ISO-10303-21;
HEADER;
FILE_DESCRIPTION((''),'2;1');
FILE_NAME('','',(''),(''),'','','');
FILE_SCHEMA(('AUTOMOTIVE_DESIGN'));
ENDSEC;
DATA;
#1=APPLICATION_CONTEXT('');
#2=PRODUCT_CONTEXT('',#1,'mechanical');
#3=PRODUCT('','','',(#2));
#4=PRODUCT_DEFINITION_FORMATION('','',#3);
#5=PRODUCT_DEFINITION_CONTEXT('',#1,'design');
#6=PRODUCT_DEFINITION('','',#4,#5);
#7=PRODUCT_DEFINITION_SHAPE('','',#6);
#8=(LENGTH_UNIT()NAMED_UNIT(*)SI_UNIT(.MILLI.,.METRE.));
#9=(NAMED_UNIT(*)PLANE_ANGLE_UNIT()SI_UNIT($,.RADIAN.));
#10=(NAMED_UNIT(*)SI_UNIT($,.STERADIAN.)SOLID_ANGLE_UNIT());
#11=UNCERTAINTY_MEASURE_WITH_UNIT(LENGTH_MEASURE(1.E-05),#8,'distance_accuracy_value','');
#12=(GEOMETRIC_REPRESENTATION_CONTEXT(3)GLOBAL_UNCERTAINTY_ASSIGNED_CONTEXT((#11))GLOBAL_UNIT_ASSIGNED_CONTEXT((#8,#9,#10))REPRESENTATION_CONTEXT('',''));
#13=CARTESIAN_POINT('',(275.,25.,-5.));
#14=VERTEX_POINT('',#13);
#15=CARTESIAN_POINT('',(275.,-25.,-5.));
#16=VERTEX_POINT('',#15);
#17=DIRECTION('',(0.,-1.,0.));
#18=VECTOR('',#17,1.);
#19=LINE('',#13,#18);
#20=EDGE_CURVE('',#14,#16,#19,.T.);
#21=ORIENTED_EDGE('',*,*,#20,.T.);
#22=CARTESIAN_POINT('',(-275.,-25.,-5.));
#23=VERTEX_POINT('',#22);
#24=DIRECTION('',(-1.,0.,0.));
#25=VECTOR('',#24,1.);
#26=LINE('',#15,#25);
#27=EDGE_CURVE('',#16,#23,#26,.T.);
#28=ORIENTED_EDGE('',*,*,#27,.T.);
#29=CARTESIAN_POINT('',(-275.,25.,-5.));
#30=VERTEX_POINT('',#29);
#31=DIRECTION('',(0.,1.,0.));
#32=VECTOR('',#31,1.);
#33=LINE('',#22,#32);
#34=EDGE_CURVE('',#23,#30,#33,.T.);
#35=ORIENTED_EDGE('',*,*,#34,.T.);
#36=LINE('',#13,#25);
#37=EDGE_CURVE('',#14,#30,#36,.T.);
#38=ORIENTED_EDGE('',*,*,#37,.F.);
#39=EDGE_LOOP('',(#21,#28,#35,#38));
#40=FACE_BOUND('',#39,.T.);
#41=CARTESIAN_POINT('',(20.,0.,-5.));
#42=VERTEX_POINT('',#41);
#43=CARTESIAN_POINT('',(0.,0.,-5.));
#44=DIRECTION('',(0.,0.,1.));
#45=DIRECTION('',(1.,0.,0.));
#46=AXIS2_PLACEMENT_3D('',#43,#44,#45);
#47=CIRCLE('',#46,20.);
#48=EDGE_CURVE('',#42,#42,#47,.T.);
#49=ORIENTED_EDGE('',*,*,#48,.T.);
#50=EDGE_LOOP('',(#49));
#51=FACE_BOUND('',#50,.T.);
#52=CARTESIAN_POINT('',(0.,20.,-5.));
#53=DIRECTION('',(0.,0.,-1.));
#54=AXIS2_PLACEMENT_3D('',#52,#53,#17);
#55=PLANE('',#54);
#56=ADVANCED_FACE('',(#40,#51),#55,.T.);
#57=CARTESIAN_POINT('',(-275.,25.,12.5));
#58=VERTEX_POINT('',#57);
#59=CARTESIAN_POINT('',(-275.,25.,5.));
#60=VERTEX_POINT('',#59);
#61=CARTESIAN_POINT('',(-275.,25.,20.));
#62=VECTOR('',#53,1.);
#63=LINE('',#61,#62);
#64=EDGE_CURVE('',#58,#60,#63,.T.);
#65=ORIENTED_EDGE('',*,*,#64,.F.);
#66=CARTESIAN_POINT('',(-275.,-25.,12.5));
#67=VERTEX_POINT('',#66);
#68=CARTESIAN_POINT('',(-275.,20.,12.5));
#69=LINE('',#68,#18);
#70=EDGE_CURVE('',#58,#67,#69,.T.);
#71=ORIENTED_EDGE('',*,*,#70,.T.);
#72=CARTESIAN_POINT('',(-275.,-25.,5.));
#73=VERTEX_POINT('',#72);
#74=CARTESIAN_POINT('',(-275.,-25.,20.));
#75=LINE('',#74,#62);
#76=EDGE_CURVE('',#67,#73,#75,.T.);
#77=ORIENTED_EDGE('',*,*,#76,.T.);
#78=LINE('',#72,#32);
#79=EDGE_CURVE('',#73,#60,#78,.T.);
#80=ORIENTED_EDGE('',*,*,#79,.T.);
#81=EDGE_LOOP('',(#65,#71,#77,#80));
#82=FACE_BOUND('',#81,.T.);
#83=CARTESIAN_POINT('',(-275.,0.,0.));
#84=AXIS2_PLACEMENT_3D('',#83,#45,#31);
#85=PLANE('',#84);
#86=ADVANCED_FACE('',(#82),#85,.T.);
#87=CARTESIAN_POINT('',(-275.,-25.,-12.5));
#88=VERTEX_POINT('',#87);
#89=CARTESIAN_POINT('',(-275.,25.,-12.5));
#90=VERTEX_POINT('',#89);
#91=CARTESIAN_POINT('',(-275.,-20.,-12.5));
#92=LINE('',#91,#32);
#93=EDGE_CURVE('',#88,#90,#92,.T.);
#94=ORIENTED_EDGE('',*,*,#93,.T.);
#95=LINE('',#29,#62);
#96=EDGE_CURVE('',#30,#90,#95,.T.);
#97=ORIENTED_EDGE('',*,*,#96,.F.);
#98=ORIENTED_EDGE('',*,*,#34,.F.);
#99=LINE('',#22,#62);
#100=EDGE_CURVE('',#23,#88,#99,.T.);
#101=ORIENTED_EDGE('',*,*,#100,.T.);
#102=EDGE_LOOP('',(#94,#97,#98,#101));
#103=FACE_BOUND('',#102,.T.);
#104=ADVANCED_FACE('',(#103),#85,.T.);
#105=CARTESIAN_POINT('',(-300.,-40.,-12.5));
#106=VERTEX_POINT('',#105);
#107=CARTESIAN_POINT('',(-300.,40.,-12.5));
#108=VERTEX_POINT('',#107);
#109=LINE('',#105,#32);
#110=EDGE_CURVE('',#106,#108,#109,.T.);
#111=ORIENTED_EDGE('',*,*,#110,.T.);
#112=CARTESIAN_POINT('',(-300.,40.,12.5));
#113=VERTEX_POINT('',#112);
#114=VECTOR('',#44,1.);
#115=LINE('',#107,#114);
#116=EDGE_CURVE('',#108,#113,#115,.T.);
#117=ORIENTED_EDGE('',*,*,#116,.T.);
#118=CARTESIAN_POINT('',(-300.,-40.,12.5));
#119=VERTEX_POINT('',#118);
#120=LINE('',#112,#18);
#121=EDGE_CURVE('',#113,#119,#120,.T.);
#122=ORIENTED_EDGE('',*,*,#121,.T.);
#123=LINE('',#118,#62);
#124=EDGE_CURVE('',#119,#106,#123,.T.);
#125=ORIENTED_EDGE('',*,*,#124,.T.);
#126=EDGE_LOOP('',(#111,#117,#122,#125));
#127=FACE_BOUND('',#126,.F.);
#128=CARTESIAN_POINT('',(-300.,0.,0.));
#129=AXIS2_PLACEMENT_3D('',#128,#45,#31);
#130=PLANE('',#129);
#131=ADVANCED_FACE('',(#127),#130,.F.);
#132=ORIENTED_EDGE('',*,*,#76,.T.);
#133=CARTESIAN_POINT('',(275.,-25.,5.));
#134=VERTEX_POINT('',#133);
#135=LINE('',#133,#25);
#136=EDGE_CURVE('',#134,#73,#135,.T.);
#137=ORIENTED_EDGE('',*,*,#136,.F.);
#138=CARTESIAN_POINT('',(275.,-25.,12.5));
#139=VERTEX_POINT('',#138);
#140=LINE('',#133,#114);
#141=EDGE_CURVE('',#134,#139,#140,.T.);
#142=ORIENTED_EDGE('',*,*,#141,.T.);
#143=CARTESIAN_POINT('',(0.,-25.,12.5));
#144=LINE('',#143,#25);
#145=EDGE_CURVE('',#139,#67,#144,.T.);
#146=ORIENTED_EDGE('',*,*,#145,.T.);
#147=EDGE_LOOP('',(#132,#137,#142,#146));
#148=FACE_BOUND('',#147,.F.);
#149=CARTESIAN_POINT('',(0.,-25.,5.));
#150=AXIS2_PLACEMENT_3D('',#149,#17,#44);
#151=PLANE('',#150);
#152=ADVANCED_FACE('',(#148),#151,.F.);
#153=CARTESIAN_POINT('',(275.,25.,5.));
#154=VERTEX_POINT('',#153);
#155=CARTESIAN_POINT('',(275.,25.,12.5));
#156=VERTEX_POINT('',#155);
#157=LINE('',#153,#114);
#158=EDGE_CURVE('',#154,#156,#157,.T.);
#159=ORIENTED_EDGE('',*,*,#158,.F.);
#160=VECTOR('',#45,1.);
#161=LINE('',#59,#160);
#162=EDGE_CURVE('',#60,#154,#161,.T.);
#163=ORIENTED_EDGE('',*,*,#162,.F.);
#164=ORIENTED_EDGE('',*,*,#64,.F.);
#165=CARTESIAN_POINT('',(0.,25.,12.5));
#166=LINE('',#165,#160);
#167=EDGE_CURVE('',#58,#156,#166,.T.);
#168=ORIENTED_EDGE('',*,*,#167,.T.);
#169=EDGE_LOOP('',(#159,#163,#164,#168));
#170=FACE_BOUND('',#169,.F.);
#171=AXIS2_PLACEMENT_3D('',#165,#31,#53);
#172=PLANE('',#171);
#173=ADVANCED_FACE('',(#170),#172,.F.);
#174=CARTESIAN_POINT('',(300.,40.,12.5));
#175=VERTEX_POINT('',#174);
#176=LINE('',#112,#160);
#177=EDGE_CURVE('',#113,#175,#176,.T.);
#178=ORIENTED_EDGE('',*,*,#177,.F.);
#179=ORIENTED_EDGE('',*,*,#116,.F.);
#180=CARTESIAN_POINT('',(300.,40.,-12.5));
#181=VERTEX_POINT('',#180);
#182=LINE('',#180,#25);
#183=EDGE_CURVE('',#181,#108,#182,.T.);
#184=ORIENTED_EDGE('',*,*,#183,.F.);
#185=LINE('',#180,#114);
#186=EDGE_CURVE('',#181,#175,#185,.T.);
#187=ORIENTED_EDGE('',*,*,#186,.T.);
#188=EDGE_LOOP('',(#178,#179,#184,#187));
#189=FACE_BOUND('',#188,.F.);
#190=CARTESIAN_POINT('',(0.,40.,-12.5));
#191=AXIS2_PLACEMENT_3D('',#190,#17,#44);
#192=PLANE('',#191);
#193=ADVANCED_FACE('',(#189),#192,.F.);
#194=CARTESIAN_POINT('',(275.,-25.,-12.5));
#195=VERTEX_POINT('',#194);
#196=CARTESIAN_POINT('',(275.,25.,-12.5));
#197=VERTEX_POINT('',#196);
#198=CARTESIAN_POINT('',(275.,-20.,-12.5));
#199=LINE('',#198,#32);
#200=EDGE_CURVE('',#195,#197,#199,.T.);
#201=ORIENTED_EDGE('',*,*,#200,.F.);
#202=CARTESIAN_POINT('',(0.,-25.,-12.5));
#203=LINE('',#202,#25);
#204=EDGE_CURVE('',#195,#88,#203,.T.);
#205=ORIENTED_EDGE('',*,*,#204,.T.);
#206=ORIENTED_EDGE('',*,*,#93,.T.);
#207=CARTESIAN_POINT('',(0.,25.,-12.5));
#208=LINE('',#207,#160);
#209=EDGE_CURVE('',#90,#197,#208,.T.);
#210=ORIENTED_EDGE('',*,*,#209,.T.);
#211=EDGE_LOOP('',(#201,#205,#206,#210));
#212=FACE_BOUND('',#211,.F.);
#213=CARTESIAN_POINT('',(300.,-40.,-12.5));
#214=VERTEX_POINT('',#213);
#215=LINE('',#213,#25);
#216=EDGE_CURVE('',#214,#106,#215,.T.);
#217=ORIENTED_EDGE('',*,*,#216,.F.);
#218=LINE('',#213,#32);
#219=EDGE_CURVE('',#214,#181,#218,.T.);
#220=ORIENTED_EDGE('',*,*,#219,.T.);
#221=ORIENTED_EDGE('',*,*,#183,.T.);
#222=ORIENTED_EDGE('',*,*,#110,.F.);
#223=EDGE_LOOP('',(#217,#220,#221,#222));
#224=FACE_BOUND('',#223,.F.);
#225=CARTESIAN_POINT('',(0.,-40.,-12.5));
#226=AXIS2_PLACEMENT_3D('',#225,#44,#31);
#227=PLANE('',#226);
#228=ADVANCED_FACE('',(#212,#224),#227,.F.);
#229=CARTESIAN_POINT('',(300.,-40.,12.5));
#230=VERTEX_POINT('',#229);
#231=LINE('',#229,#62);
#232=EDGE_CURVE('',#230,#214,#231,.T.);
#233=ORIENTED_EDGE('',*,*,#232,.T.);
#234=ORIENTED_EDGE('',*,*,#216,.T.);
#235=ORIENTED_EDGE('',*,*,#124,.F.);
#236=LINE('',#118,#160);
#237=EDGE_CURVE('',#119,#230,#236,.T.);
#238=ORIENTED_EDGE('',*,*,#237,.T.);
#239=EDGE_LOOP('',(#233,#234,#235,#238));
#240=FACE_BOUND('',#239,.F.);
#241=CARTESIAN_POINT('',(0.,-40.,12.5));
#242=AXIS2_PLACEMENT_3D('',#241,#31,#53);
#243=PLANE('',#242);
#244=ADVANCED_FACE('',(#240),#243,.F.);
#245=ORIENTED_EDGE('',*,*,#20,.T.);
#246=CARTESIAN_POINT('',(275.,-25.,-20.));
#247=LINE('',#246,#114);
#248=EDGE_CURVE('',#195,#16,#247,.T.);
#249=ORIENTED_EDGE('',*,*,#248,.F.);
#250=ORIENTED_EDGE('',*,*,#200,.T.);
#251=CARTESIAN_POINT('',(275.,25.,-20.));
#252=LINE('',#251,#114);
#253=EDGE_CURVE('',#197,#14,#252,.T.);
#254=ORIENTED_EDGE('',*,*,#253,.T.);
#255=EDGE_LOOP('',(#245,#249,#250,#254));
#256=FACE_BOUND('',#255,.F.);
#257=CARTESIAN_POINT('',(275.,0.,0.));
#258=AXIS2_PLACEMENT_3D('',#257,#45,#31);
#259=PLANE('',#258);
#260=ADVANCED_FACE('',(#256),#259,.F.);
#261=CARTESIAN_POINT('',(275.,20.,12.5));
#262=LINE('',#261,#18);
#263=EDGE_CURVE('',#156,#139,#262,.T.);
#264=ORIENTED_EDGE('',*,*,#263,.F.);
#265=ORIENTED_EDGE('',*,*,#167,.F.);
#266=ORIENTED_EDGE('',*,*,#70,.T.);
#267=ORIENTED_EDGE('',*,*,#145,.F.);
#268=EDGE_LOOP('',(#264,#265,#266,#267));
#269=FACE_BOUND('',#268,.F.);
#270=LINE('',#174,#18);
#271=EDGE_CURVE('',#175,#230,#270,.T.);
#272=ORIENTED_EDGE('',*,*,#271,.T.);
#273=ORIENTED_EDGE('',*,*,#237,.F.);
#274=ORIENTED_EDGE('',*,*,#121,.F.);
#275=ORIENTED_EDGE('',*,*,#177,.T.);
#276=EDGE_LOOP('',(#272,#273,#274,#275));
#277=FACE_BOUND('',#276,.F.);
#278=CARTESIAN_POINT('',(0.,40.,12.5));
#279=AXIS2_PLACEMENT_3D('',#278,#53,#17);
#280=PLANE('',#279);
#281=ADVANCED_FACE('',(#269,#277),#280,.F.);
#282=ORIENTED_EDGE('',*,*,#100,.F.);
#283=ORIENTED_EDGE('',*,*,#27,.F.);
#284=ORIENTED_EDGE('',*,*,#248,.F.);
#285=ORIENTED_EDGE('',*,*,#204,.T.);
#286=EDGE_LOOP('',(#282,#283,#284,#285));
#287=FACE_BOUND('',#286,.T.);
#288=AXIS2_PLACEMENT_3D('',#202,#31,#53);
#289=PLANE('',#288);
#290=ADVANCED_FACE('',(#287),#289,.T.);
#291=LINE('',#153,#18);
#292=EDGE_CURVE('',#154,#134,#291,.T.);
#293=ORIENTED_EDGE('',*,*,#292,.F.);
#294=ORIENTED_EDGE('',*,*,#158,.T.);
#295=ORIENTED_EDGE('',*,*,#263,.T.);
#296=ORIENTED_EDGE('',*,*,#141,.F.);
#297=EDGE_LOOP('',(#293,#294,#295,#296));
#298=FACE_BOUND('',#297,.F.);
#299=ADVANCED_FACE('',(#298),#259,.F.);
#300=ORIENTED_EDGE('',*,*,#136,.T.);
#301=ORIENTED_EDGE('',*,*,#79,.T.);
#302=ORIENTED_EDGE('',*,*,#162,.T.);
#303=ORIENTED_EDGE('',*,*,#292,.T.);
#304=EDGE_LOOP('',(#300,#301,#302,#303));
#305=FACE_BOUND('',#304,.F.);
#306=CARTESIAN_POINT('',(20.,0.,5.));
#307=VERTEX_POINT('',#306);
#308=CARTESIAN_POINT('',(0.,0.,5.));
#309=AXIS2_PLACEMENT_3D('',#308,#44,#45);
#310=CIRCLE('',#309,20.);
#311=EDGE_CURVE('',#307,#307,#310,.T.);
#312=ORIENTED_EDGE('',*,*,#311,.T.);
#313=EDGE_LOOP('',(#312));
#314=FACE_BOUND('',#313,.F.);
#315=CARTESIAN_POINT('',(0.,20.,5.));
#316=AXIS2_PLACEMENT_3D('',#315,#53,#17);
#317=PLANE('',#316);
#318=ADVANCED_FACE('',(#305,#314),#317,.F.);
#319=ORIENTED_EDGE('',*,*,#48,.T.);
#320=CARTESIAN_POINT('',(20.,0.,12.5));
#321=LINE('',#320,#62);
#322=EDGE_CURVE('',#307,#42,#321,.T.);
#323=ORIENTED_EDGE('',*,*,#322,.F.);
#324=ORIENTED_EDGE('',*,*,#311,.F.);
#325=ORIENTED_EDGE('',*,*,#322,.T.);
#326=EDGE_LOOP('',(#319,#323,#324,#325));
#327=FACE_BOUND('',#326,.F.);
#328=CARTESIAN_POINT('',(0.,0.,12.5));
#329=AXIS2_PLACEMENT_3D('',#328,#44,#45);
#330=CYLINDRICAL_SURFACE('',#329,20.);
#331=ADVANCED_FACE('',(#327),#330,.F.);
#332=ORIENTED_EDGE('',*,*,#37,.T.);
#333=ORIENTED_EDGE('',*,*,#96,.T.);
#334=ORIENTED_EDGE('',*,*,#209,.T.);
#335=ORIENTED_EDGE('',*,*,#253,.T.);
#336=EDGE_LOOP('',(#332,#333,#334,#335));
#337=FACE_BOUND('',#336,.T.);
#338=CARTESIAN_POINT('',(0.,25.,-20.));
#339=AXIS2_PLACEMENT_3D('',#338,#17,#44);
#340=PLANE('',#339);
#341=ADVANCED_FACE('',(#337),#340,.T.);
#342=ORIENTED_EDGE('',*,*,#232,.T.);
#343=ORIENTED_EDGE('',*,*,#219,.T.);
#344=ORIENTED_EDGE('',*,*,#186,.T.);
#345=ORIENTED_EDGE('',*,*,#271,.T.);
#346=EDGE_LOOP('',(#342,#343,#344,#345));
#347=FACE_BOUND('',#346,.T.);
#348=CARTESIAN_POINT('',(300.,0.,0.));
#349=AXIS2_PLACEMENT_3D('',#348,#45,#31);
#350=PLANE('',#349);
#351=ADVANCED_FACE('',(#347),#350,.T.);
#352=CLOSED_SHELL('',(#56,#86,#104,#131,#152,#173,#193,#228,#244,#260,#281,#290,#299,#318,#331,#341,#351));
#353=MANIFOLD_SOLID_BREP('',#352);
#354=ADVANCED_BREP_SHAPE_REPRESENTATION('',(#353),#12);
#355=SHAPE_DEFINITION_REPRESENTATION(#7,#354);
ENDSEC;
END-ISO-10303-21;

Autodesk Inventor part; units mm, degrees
ref_plane "YZ Plane" through (0, 0, 0) normal (1, 0, 0) x (0, 1, 0)
ref_plane "XZ Plane" through (0, 0, 0) normal (0, 1, 0) x (-1, 0, 0)
ref_plane "XY Plane" through (0, 0, 0) normal (0, 0, 1) x (1, 0, 0)
sketch "Sketch1" plane through (0, 0, 0) normal (1, 0, 0) x (0, 1, 0)
  line L0 (40, 12.5) -> (-40, 12.5)
  line L1 (-40, 12.5) -> (-40, -12.5)
  line L2 (-40, -12.5) -> (40, -12.5)
  line L3 (40, -12.5) -> (40, 12.5)
  line L4 (40, 12.5) -> (-40, -12.5) construction
  line L5 (-40, 12.5) -> (40, -12.5) construction
  point P0 (0, 0)
  dimension "d0" = 80
  dimension "d1" = 25
extrude "Extrusion1" add sketch "Sketch1" along normal mid plane 600
sketch "Sketch2" plane through (-300, -40, 12.5) normal (0, 0, 1) x (1, 0, 0)
  circle A0 centre (300, 40) radius 20
  point P0 (300, 40)
  dimension "d4" = 40
extrude "Extrusion2" cut sketch "Sketch2" against normal up to next
sketch "Sketch3" plane through (0, 0, 0) normal (1, 0, 0) x (0, 1, 0)
  line L0 (-25, -20) -> (25, -20)
  line L1 (25, -20) -> (25, -5)
  line L2 (25, -5) -> (-25, -5)
  line L3 (-25, -5) -> (-25, -20)
  line L4 (40, -12.5) -> (-40, -12.5) projected
  line L5 (-25, -20) -> (25, -5) construction
  line L6 (25, -20) -> (-25, -5) construction
  line L7 (20, 12.5) -> (20, -12.5) projected
  line L8 (-40, 12.5) -> (40, 12.5) projected
  line L9 (-25, 20) -> (25, 20)
  line L10 (25, 20) -> (25, 5)
  line L11 (25, 5) -> (-25, 5)
  line L12 (-25, 5) -> (-25, 20)
  line L13 (40, 12.5) -> (-40, 12.5) projected
  line L14 (-25, 20) -> (25, 5) construction
  line L15 (25, 20) -> (-25, 5) construction
  point P0 (0, -12.5)
  point P1 (20, 5)
  point P2 (0, 12.5)
  dimension "d10" = 50
  dimension "d11" = 15
  dimension "d15" = 15
extrude "Extrusion3" cut sketch "Sketch3" along normal mid plane 550
properties part number "spiritLevel"
